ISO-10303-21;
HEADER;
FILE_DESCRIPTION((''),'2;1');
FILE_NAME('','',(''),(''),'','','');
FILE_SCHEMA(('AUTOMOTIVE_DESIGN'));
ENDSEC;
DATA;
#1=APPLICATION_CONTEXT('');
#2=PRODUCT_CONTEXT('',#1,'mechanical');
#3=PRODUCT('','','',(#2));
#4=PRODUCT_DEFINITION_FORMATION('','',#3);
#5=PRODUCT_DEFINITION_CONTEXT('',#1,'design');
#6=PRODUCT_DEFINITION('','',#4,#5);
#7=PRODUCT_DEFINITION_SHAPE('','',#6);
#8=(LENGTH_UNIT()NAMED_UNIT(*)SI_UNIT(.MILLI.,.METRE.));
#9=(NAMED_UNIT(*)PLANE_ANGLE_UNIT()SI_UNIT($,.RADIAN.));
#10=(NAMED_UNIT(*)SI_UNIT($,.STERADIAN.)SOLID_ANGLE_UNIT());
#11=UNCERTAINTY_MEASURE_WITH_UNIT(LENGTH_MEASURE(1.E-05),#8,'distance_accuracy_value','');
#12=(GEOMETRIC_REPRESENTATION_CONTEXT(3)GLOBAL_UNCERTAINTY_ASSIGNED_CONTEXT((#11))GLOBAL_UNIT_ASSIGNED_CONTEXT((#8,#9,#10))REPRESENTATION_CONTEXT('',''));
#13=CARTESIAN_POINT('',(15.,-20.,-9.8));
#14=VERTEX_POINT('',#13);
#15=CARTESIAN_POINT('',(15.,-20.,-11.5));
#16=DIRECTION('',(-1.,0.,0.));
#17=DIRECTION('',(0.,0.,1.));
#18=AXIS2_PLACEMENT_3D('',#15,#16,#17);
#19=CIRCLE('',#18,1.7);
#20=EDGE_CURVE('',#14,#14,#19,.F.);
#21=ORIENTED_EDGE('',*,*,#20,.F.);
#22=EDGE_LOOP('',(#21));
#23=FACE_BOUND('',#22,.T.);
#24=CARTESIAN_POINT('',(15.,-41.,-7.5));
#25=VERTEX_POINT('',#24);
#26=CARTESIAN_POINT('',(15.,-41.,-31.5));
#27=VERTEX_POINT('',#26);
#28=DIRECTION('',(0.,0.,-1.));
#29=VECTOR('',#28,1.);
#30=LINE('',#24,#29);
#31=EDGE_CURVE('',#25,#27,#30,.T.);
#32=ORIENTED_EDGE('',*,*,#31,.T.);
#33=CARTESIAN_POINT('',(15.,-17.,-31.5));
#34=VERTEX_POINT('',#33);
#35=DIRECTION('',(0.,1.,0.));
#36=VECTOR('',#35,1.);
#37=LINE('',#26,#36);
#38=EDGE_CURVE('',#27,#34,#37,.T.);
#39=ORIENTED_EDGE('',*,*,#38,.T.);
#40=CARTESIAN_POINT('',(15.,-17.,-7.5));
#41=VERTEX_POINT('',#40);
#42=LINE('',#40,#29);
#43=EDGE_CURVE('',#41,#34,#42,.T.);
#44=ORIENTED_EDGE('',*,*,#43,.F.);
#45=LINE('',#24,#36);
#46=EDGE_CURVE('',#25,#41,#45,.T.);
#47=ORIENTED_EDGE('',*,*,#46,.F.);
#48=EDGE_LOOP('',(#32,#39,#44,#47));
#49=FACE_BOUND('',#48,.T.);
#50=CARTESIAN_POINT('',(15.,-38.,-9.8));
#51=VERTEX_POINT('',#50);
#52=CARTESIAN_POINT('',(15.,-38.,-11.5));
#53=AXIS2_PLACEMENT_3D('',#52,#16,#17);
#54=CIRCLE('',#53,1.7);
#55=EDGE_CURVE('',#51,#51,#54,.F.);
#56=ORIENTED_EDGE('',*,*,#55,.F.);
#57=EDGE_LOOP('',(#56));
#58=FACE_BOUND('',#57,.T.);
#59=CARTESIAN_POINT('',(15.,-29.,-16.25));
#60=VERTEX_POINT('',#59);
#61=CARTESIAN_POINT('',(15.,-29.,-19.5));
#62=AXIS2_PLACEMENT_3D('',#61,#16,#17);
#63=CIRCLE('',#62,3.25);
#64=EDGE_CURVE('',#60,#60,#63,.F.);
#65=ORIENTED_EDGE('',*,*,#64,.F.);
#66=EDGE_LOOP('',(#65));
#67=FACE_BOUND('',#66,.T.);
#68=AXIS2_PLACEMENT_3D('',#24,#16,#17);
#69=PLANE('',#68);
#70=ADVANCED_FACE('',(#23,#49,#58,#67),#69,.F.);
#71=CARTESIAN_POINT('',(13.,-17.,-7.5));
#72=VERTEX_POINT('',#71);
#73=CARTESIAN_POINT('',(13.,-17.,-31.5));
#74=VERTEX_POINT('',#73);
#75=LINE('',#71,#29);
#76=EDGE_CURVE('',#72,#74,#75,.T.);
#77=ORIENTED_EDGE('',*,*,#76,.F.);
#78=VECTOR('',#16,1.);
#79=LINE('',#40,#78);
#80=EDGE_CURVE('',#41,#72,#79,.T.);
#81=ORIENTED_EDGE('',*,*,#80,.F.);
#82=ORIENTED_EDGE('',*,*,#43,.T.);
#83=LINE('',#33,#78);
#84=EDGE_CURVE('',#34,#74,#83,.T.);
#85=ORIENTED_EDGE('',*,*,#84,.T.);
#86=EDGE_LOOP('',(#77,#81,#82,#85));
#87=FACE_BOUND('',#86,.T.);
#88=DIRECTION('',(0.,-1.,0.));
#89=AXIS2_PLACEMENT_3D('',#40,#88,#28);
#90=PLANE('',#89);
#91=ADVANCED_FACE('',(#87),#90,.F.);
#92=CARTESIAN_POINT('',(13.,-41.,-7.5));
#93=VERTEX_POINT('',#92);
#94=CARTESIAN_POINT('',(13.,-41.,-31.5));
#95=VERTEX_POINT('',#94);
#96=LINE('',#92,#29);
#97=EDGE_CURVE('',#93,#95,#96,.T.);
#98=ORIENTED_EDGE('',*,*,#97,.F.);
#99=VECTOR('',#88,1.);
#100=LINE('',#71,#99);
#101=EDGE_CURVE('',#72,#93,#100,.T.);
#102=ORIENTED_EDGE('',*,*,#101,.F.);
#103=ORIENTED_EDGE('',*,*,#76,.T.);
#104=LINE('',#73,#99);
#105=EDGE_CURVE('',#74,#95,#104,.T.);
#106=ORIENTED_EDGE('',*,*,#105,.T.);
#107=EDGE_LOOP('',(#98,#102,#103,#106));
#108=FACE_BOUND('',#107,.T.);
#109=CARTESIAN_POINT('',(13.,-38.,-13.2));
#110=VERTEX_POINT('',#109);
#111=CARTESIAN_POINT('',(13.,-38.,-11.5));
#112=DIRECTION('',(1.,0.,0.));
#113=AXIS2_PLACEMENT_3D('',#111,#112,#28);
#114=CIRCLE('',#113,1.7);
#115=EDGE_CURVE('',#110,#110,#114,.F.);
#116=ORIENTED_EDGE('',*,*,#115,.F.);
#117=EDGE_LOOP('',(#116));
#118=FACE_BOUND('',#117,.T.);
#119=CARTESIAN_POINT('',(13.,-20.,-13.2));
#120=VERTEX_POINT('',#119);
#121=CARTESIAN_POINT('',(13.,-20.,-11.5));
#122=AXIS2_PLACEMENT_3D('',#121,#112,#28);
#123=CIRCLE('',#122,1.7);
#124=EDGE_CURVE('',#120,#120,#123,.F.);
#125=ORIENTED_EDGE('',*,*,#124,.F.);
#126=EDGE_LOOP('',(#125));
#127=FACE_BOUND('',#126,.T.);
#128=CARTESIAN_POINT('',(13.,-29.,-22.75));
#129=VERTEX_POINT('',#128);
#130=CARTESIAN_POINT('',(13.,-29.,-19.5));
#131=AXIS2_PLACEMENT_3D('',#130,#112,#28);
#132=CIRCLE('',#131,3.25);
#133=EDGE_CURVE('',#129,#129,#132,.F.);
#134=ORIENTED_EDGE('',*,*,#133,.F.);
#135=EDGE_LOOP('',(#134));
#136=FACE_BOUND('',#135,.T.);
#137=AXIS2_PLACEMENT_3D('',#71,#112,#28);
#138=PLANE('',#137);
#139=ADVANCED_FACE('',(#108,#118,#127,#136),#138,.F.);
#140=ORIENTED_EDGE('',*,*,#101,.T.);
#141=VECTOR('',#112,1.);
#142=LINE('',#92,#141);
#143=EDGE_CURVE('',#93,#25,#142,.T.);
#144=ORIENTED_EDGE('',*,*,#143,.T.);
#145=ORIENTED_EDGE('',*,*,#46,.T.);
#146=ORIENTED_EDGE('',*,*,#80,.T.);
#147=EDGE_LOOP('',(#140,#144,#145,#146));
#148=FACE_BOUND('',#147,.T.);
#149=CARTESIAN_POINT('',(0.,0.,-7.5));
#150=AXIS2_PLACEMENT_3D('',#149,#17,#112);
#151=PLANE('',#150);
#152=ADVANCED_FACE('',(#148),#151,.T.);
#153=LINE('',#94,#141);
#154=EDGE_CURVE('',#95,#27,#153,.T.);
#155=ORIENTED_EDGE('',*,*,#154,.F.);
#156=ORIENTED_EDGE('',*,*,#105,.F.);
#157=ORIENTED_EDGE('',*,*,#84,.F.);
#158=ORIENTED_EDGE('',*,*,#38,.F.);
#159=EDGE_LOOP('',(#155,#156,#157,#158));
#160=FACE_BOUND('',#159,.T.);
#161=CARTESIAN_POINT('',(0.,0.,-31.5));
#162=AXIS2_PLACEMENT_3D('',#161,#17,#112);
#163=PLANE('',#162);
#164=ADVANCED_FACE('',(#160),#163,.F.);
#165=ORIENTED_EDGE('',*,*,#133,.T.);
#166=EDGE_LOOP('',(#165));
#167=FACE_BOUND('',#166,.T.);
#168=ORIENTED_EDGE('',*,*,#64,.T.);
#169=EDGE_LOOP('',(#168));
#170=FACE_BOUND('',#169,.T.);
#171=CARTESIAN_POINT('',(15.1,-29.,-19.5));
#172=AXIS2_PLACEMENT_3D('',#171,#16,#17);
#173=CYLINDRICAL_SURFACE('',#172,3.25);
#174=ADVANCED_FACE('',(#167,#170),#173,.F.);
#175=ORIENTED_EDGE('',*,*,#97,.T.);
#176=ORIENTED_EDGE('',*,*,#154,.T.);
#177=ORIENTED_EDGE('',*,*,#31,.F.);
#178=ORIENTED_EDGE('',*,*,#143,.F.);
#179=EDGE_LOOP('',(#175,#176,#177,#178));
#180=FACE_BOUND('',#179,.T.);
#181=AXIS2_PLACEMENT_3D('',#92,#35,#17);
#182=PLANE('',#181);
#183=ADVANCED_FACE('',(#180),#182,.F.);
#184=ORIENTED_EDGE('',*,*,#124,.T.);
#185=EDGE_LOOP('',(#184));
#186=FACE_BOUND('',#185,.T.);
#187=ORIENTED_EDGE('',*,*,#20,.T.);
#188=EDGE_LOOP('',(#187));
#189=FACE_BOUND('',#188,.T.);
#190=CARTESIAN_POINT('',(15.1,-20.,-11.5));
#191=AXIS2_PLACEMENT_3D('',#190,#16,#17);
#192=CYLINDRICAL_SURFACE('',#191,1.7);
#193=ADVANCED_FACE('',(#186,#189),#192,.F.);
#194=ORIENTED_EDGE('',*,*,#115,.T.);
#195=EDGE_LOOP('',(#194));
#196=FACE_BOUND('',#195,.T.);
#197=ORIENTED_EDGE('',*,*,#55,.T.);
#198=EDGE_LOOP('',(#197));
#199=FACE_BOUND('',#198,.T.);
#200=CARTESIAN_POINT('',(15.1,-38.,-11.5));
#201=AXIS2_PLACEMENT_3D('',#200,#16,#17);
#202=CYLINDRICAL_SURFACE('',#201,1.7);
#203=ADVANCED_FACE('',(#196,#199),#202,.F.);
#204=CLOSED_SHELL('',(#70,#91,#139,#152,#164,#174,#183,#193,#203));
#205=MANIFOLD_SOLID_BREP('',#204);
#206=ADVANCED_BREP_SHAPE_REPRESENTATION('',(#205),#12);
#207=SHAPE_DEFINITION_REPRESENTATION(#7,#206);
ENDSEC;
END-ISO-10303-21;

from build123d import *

# Parameters (mm, degrees)
THRUST_PLATE_BLANK_SKETCH_W      = 2
THRUST_PLATE_BLANK_SKETCH_H      = 24
THRUST_PLATE_BLANK_DEPTH         = 24
SCREW_RUNNING_CLEARANCE_SKETCH_R = 3.25
SCREW_RUNNING_CLEARANCE_DEPTH    = 2.2
M3_PLATE_CLEARANCE_1_SKETCH_R    = 1.7
M3_PLATE_CLEARANCE_1_DEPTH       = 2.2
M3_PLATE_CLEARANCE_2_SKETCH_R    = 1.7
M3_PLATE_CLEARANCE_2_DEPTH       = 2.2


with BuildPart() as part:
    # Thrust plate blank sketch → Thrust plate blank (new body)
    with BuildSketch(Plane.XY.offset(-31.5)):
        with Locations((14, -29)):
            Rectangle(THRUST_PLATE_BLANK_SKETCH_W, THRUST_PLATE_BLANK_SKETCH_H)
    extrude(amount=THRUST_PLATE_BLANK_DEPTH)

    # Screw running clearance sketch → Screw running clearance (cut)
    with BuildSketch(Plane(origin=(12.9, 0, 0), x_dir=(0, 0, -1), z_dir=(1, 0, 0))):
        with Locations(Location((19.5, -29, 0), (0, 0, 180))):
            Circle(SCREW_RUNNING_CLEARANCE_SKETCH_R)
    extrude(amount=SCREW_RUNNING_CLEARANCE_DEPTH, mode=Mode.SUBTRACT)

    # M3 plate clearance 1 sketch → M3 plate clearance 1 (cut)
    with BuildSketch(Plane(origin=(12.9, 0, 0), x_dir=(0, 0, -1), z_dir=(1, 0, 0))):
        with Locations(Location((11.5, -38, 0), (0, 0, 180))):
            Circle(M3_PLATE_CLEARANCE_1_SKETCH_R)
    extrude(amount=M3_PLATE_CLEARANCE_1_DEPTH, mode=Mode.SUBTRACT)

    # M3 plate clearance 2 sketch → M3 plate clearance 2 (cut)
    with BuildSketch(Plane(origin=(12.9, 0, 0), x_dir=(0, 0, -1), z_dir=(1, 0, 0))):
        with Locations(Location((11.5, -20, 0), (0, 0, 180))):
            Circle(M3_PLATE_CLEARANCE_2_SKETCH_R)
    extrude(amount=M3_PLATE_CLEARANCE_2_DEPTH, mode=Mode.SUBTRACT)


solid = part.part
